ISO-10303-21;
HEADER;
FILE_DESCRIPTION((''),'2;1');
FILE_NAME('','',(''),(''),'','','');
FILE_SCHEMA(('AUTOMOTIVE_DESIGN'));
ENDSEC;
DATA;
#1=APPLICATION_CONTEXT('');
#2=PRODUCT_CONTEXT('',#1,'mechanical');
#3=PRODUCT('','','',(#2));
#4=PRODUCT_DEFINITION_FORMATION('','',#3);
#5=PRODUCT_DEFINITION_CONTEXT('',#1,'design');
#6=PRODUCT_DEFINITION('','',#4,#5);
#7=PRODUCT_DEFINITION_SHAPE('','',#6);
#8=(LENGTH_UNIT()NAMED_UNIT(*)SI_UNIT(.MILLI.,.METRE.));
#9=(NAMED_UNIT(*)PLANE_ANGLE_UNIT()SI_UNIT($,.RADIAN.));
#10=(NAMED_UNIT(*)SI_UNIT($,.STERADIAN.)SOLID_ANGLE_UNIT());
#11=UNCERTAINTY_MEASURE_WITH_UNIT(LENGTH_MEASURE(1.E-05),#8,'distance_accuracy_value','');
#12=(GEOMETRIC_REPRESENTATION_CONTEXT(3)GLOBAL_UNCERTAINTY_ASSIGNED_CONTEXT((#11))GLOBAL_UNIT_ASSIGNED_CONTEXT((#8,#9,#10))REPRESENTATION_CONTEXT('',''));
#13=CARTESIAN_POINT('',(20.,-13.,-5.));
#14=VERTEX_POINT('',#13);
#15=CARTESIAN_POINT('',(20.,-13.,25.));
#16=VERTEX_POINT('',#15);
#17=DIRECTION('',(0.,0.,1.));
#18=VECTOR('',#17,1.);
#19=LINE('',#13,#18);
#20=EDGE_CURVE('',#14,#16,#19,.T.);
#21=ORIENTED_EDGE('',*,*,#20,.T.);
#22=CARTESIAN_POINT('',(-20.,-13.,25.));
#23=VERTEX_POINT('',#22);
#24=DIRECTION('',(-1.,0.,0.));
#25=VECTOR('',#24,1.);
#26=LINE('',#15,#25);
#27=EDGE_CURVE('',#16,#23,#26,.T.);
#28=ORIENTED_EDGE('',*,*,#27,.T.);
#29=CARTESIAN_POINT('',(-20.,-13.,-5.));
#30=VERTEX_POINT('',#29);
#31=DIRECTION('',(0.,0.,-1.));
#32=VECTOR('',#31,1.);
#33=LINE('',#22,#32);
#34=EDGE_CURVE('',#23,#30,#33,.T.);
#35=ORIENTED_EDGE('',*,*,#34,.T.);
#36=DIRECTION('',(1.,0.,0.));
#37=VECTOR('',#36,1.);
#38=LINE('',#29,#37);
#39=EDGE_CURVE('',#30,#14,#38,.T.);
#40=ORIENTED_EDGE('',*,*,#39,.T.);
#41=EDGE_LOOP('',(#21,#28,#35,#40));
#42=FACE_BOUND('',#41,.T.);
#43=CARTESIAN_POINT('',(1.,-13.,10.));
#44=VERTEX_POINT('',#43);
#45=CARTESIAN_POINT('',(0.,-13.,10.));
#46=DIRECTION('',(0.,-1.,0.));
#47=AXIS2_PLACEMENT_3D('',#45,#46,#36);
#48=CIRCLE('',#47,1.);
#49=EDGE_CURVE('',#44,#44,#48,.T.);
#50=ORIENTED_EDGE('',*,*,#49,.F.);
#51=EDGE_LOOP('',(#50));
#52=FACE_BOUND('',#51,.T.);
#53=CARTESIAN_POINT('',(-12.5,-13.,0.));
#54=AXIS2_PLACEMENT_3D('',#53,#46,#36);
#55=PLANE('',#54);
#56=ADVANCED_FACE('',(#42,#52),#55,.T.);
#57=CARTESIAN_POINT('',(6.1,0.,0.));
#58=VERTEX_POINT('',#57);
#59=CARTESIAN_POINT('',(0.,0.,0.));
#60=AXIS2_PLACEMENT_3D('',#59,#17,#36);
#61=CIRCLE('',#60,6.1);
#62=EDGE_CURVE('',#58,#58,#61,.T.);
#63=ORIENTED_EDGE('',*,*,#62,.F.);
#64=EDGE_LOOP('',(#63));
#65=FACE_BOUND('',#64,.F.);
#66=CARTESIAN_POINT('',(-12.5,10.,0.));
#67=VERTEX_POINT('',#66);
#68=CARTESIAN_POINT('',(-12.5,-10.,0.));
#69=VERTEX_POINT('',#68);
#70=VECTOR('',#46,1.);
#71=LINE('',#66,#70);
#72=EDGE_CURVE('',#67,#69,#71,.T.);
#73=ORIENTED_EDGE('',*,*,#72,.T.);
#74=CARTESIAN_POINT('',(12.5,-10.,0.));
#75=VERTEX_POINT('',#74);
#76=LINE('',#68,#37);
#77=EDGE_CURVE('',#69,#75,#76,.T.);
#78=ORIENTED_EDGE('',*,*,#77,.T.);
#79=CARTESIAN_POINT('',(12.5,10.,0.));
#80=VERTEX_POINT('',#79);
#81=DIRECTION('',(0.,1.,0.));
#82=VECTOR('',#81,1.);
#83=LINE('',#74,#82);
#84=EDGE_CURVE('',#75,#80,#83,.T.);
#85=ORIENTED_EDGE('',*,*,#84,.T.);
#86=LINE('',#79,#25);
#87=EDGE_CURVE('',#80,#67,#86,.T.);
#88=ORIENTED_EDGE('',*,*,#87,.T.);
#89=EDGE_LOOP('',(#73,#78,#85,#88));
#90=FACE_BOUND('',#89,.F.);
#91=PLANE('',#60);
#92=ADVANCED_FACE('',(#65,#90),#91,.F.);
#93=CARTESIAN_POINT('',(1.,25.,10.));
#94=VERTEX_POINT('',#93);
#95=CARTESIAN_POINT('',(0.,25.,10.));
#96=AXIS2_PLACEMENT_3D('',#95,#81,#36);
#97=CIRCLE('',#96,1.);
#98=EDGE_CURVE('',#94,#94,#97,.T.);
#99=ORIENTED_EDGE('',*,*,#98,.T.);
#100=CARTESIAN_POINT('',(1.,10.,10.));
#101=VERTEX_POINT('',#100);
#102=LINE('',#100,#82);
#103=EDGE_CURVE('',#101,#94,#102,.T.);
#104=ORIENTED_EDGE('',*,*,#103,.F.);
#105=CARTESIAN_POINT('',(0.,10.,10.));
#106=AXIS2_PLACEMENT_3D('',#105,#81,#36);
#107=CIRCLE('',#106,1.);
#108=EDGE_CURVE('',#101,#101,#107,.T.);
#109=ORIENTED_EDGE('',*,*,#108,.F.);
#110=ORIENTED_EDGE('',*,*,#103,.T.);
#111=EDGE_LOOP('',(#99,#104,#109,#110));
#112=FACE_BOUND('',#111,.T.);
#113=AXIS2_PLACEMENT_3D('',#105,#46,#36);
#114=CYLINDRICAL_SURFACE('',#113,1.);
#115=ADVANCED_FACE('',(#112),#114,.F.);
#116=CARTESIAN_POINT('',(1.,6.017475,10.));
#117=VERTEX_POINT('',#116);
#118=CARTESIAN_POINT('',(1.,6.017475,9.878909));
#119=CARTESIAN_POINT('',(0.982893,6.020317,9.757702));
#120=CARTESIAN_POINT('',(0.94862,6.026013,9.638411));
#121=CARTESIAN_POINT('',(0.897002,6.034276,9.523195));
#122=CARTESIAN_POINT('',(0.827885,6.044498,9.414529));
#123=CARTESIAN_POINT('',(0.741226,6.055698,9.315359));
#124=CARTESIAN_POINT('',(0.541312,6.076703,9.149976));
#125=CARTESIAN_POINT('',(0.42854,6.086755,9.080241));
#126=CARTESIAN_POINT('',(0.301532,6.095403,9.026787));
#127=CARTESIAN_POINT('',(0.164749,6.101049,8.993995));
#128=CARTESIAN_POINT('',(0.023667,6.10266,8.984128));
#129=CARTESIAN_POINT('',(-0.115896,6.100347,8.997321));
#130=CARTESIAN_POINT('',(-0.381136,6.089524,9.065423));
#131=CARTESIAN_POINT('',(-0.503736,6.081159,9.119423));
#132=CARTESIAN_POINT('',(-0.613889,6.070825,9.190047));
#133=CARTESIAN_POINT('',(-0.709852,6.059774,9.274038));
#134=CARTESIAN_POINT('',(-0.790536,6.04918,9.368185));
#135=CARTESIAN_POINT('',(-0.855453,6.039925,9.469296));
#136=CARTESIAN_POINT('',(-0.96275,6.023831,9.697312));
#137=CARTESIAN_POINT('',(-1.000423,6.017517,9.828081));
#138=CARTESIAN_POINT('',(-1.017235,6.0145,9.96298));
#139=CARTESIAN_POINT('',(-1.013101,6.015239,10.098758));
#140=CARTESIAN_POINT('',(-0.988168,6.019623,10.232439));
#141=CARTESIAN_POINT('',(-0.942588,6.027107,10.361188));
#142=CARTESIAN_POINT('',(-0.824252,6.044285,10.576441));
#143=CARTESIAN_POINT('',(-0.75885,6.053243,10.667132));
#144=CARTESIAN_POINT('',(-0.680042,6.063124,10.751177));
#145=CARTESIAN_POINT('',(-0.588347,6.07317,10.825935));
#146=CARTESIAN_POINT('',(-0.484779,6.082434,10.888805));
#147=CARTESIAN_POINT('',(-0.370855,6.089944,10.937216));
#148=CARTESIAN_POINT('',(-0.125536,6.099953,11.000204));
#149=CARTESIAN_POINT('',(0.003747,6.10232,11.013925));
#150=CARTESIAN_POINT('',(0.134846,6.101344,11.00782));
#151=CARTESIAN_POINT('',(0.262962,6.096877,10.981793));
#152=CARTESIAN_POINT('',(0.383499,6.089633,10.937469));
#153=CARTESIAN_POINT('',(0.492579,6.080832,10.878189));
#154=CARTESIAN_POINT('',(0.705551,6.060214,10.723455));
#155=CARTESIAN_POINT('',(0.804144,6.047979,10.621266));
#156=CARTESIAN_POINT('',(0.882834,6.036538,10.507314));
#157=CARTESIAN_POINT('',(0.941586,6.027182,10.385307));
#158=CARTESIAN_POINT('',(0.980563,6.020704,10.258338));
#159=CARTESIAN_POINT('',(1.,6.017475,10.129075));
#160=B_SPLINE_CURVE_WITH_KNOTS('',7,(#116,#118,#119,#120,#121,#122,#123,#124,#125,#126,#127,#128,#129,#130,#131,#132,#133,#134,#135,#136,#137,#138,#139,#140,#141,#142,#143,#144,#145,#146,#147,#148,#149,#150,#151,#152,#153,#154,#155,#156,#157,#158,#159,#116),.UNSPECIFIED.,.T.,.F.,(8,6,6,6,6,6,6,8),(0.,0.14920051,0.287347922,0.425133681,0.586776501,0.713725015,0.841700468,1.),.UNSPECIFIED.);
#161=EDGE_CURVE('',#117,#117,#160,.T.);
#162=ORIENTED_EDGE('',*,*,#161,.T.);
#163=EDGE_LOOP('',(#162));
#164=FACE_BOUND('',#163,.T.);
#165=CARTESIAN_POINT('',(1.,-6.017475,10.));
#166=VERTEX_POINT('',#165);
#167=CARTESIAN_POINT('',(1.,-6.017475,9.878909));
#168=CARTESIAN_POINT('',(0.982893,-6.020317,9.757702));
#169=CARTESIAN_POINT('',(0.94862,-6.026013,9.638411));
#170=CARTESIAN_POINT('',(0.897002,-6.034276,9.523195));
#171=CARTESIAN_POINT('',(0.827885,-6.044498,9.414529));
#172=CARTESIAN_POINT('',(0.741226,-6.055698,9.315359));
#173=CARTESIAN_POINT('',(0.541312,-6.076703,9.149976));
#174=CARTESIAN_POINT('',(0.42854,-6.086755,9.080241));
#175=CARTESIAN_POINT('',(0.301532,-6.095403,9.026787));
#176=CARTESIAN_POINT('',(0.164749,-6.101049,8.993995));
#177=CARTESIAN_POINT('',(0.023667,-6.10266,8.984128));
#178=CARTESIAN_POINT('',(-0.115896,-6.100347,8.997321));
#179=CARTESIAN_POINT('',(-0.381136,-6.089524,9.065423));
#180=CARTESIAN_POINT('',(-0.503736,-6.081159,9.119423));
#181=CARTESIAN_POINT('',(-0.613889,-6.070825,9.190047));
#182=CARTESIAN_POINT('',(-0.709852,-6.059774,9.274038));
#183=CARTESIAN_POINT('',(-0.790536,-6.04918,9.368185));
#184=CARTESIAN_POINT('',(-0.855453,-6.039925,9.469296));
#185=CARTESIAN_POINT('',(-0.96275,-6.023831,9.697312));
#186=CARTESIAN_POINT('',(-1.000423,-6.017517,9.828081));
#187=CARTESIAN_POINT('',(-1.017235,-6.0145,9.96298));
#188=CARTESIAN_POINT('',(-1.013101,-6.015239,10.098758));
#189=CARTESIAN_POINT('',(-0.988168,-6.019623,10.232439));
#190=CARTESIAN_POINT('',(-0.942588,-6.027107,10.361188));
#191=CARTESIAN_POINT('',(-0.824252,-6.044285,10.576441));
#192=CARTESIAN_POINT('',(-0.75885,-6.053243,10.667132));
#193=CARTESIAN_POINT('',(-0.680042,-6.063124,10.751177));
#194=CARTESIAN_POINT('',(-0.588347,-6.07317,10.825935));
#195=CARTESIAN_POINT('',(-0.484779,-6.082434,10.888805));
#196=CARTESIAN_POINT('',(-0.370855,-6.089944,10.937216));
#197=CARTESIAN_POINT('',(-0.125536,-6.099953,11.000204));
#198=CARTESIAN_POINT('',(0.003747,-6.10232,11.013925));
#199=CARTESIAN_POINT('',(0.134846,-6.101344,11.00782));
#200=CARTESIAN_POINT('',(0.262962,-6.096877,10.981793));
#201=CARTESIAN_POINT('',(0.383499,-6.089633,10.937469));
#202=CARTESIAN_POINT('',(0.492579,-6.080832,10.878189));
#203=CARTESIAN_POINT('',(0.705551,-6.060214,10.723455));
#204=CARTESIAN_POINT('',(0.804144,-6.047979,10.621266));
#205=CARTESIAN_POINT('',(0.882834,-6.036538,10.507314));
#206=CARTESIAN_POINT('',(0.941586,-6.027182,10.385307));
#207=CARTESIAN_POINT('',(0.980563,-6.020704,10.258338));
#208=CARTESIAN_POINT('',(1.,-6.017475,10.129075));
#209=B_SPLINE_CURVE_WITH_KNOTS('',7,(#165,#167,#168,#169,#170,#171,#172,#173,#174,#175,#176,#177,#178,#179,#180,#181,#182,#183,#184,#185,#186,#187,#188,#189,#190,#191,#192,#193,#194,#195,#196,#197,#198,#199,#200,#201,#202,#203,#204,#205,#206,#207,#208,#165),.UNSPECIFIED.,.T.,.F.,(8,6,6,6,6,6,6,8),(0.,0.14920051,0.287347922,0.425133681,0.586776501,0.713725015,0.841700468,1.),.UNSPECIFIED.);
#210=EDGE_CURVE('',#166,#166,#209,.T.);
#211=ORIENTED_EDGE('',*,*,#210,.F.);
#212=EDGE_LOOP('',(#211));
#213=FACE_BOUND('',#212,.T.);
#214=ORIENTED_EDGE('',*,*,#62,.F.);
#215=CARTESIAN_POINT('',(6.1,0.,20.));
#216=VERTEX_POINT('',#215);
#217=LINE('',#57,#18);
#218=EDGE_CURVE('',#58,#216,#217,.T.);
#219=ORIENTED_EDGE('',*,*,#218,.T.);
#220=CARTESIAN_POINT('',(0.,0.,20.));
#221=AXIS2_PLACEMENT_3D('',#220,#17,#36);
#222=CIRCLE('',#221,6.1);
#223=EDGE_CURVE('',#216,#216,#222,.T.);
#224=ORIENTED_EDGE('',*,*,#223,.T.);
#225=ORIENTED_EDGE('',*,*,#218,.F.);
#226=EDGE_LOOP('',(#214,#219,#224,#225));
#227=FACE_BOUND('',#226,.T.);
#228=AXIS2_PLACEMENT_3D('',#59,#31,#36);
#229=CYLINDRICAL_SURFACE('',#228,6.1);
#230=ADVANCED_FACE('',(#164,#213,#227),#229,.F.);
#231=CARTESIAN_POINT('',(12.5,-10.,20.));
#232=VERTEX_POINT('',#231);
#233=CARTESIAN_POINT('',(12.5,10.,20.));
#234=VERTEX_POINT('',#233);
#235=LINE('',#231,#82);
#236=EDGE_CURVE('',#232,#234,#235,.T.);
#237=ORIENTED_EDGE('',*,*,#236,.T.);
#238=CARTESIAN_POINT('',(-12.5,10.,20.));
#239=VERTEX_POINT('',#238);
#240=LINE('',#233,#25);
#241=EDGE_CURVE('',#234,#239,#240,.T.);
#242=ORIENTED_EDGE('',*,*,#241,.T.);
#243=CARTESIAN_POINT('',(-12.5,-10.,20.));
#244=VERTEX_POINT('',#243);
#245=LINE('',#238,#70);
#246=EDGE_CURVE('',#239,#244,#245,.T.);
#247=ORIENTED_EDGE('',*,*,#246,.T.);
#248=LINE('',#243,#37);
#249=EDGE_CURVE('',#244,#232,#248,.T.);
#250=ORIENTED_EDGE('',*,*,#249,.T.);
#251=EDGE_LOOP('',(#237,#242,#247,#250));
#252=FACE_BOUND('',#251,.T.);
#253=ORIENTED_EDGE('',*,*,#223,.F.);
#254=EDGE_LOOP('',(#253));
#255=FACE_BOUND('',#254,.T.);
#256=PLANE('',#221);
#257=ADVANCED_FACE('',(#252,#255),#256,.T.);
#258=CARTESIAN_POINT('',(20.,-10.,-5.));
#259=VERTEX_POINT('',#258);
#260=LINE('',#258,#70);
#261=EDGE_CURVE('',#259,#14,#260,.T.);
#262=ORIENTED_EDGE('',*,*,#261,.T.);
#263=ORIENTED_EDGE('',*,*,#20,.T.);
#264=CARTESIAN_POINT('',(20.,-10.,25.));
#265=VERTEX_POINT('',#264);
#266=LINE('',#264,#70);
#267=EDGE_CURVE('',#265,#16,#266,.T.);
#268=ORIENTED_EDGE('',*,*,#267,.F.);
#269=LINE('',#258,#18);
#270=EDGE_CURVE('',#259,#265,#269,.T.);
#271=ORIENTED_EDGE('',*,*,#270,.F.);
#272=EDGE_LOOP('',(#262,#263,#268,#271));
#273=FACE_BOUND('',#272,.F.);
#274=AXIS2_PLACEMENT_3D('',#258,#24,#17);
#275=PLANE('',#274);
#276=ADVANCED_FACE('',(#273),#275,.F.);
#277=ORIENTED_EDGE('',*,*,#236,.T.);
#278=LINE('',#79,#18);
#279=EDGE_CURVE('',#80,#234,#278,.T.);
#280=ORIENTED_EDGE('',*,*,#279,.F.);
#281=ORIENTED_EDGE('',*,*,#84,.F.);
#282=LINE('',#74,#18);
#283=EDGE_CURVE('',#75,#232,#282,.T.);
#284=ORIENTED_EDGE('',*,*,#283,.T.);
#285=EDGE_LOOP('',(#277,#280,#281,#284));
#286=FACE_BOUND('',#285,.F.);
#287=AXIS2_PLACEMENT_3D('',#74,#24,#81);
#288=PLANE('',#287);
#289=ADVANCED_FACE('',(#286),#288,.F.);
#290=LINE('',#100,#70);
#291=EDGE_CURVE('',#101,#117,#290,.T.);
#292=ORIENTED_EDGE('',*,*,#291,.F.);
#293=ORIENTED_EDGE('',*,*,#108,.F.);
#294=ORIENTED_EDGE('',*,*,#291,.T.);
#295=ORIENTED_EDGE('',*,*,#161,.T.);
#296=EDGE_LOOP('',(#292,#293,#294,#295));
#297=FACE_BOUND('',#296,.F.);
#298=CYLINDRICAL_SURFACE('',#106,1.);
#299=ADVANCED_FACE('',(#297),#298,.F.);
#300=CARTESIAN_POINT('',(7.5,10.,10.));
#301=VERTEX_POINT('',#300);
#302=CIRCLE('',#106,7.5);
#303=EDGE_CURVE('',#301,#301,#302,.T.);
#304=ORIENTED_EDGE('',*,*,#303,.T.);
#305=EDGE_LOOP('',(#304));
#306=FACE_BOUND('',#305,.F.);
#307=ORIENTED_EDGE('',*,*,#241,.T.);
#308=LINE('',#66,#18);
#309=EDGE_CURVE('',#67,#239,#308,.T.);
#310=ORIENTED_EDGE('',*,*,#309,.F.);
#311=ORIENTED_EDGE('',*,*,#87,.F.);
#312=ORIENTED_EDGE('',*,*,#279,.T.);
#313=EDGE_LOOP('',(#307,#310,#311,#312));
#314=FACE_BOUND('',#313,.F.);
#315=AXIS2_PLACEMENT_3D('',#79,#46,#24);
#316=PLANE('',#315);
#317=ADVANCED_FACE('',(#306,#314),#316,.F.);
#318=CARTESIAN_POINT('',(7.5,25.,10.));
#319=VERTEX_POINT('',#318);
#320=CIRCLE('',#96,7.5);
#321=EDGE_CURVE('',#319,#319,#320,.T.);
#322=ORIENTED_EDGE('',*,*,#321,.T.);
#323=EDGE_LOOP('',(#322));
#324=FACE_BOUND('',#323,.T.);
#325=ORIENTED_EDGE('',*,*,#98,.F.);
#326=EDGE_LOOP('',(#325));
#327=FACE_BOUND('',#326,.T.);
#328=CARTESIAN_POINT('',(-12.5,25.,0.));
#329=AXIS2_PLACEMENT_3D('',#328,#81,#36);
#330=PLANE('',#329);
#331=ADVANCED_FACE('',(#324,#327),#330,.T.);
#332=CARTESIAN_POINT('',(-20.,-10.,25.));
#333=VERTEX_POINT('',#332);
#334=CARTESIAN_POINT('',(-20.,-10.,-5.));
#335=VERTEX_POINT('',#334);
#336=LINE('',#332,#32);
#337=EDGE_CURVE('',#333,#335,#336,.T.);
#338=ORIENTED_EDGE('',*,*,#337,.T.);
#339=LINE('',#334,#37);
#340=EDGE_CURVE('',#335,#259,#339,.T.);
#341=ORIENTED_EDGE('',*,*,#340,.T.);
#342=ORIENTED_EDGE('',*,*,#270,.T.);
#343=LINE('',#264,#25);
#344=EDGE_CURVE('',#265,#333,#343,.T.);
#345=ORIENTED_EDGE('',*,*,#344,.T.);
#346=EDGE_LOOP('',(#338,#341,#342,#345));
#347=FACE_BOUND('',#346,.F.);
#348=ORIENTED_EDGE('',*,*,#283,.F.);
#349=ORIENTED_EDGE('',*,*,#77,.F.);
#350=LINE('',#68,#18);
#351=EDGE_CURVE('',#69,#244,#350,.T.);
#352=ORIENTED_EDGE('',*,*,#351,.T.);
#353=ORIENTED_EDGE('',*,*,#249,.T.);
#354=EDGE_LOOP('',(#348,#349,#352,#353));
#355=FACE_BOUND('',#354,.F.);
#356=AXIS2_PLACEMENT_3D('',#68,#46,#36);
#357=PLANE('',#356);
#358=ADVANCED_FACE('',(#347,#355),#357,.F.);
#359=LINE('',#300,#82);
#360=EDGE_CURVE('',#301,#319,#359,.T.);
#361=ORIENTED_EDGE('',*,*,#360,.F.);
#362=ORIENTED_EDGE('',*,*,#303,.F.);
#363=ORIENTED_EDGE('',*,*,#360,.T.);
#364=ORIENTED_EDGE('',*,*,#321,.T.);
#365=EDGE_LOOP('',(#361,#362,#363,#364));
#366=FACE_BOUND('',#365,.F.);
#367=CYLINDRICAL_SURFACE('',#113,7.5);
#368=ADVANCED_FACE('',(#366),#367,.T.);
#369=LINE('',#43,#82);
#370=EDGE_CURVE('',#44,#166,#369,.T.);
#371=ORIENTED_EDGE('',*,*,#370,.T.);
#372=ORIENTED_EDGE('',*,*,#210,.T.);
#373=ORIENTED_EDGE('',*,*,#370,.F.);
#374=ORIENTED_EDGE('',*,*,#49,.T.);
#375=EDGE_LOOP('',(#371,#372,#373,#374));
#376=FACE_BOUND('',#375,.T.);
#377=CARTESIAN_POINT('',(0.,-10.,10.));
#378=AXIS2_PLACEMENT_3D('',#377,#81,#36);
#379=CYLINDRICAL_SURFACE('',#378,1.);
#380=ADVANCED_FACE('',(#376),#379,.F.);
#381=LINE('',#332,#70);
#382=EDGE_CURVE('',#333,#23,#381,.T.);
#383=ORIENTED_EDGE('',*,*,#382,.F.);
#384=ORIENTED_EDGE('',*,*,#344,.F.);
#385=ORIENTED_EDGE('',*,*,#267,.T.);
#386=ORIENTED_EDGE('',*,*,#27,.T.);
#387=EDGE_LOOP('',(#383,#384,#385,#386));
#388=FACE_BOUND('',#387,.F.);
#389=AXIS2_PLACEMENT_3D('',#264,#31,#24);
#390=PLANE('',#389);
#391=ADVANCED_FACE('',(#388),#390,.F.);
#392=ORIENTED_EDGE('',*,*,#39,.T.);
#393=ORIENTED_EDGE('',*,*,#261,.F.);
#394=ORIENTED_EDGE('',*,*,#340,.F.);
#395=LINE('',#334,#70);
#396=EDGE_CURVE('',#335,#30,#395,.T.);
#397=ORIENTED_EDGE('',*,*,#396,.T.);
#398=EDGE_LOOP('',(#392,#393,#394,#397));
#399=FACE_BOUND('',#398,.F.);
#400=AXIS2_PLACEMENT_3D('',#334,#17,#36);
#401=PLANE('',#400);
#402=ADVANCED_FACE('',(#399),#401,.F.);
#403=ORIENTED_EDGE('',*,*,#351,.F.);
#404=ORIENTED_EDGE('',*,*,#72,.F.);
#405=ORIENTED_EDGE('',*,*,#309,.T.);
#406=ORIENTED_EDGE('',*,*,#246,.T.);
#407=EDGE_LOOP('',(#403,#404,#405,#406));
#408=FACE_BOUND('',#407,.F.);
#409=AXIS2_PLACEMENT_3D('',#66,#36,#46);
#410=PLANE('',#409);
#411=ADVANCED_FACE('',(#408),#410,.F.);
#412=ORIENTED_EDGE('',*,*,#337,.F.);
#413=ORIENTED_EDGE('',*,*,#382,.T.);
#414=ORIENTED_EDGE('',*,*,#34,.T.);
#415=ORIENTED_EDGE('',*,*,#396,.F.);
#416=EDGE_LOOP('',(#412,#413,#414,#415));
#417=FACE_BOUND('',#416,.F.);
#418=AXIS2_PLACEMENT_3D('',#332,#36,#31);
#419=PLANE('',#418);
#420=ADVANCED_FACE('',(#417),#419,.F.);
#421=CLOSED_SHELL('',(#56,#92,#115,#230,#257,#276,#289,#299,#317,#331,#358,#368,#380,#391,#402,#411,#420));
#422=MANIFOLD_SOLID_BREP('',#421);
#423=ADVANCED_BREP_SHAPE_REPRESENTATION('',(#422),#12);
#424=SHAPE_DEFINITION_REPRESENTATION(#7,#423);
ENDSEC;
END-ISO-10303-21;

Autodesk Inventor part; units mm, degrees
ref_plane "YZ Plane" through (0, 0, 0) normal (1, 0, 0) x (0, 1, 0)
ref_plane "XZ Plane" through (0, 0, 0) normal (0, 1, 0) x (-1, 0, 0)
ref_plane "XY Plane" through (0, 0, 0) normal (0, 0, 1) x (1, 0, 0)
sketch "Sketch1" plane through (0, 0, 0) normal (0, 0, 1) x (1, 0, 0)
  circle A0 centre (0, 0) radius 6.1
  line L0 (-12.5, -10) -> (12.5, -10)
  line L1 (12.5, -10) -> (12.5, 10)
  line L2 (12.5, 10) -> (-12.5, 10)
  line L3 (-12.5, 10) -> (-12.5, -10)
  line L4 (-12.5, -10) -> (12.5, 10) construction
  line L5 (12.5, -10) -> (-12.5, 10) construction
  dimension "d0" = 12.2
  dimension "d1" = 25
  dimension "d2" = 20
extrude "Extrusion1" add sketch "Sketch1" along normal blind 20
sketch "Sketch2" plane through (-12.5, 10, 0) normal (0, 1, 0) x (1, 0, 0)
  line L0 (0, 0) -> (0, -20) construction
  line L1 (25, -20) -> (0, -20) construction
  line L2 (0, 0) -> (25, -20) construction
  line L3 (0, -20) -> (25, 0) construction
  circle A0 centre (12.5, -10) radius 1
  point P0 (12.5, 0)
  dimension "d5" = 2
extrude "Extrusion2" cut sketch "Sketch2" against normal blind 100
sketch "Sketch3" plane through (-12.5, 10, 0) normal (0, 1, 0) x (1, 0, 0)
  circle A0 centre (12.5, -10) radius 1 projected
  line L0 (25, 0) -> (0, 0) projected
  line L1 (0, 0) -> (0, -20) projected
  line L2 (25, -20) -> (0, -20) projected
  line L3 (25, 0) -> (25, -20) projected
  circle A1 centre (12.5, -10) radius 7.5
  point P0 (12.5, 0)
  dimension "d8" = 15
extrude "Extrusion3" add sketch "Sketch3" along normal blind 15 contours A1
sketch "Sketch4" plane through (-12.5, -10, 0) normal (0, -1, 0) x (1, 0, 0)
  line L0 (32.5, 25) -> (-7.5, 25)
  line L1 (-7.5, 25) -> (-7.5, -5)
  line L2 (-7.5, -5) -> (32.5, -5)
  line L3 (32.5, -5) -> (32.5, 25)
  circle A0 centre (12.5, 10) radius 1 projected
  line L4 (32.5, 25) -> (-7.5, -5) construction
  line L5 (-7.5, 25) -> (32.5, -5) construction
  point P0 (12.5, 0)
  dimension "d11" = 30
  dimension "d12" = 40
extrude "Extrusion4" add sketch "Sketch4" along normal blind 3
properties part number "Arm_clip_template"
